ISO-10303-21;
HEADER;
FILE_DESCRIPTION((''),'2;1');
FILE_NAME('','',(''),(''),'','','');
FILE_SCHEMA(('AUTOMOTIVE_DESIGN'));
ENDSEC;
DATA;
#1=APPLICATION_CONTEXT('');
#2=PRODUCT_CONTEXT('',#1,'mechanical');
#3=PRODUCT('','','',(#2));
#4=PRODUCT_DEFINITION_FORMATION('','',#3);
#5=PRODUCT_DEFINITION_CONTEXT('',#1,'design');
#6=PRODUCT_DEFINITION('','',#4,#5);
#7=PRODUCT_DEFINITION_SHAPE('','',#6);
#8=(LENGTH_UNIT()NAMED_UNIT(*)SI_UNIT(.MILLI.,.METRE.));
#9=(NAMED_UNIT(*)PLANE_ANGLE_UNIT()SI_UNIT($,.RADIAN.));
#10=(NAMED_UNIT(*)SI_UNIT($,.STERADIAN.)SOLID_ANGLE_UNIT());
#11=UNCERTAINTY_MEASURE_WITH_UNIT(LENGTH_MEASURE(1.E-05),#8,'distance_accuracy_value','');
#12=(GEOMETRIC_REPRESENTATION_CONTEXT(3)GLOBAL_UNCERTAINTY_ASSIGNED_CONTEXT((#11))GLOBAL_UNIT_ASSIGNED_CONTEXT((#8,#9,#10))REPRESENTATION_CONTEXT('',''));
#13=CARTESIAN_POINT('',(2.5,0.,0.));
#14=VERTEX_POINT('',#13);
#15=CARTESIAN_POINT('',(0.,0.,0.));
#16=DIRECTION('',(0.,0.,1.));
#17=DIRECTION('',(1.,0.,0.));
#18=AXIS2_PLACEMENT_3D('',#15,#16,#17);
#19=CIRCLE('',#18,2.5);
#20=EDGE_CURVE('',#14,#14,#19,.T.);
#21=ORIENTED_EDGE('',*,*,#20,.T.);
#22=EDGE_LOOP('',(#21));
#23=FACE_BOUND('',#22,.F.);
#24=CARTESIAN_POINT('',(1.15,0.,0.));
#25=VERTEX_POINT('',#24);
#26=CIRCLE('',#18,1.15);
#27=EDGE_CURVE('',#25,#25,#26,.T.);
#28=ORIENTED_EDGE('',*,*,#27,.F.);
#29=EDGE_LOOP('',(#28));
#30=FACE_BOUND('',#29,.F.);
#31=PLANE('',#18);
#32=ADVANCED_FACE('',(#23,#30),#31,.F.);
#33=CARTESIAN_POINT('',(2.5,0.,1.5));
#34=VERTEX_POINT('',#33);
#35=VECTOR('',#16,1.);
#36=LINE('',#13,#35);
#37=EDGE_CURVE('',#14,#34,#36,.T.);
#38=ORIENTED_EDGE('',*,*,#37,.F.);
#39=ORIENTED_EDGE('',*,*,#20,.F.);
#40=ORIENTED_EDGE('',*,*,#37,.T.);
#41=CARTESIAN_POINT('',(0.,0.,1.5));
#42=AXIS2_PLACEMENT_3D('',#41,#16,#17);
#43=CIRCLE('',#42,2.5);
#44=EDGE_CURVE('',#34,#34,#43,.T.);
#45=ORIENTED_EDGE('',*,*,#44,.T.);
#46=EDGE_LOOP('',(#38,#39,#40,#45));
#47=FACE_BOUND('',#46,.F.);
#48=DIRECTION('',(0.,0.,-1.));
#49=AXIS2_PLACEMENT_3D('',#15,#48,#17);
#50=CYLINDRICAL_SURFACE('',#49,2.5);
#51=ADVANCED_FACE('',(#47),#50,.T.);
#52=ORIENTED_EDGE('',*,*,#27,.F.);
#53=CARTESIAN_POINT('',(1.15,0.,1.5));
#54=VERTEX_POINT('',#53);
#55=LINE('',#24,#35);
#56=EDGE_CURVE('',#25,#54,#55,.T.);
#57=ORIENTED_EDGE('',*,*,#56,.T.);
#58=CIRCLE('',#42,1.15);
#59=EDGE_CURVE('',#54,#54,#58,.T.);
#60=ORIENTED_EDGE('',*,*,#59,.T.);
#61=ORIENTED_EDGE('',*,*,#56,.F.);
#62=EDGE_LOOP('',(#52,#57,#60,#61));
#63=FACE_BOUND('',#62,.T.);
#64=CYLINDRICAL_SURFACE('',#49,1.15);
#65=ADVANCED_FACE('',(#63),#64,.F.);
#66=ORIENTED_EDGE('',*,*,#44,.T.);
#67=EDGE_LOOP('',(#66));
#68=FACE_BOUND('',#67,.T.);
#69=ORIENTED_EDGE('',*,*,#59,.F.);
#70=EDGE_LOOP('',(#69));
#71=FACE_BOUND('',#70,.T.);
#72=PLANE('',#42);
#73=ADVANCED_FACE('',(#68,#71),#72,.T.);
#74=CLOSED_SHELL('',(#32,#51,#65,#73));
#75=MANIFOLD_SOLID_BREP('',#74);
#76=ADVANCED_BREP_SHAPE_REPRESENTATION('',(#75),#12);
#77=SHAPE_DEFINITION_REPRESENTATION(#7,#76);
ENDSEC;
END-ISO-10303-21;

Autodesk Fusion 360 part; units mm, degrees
sketch "スケッチ1" plane through (0, 0, 0) normal (0, 0, 1) x (1, 0, 0)
  circle A0 centre (0, 0) radius 2.5
  circle A1 centre (0, 0) radius 1.15
  dimension "d1" = 5
  dimension "d2" = 2.3
extrude "押し出し1" add sketch "スケッチ1" along normal blind 1.5
